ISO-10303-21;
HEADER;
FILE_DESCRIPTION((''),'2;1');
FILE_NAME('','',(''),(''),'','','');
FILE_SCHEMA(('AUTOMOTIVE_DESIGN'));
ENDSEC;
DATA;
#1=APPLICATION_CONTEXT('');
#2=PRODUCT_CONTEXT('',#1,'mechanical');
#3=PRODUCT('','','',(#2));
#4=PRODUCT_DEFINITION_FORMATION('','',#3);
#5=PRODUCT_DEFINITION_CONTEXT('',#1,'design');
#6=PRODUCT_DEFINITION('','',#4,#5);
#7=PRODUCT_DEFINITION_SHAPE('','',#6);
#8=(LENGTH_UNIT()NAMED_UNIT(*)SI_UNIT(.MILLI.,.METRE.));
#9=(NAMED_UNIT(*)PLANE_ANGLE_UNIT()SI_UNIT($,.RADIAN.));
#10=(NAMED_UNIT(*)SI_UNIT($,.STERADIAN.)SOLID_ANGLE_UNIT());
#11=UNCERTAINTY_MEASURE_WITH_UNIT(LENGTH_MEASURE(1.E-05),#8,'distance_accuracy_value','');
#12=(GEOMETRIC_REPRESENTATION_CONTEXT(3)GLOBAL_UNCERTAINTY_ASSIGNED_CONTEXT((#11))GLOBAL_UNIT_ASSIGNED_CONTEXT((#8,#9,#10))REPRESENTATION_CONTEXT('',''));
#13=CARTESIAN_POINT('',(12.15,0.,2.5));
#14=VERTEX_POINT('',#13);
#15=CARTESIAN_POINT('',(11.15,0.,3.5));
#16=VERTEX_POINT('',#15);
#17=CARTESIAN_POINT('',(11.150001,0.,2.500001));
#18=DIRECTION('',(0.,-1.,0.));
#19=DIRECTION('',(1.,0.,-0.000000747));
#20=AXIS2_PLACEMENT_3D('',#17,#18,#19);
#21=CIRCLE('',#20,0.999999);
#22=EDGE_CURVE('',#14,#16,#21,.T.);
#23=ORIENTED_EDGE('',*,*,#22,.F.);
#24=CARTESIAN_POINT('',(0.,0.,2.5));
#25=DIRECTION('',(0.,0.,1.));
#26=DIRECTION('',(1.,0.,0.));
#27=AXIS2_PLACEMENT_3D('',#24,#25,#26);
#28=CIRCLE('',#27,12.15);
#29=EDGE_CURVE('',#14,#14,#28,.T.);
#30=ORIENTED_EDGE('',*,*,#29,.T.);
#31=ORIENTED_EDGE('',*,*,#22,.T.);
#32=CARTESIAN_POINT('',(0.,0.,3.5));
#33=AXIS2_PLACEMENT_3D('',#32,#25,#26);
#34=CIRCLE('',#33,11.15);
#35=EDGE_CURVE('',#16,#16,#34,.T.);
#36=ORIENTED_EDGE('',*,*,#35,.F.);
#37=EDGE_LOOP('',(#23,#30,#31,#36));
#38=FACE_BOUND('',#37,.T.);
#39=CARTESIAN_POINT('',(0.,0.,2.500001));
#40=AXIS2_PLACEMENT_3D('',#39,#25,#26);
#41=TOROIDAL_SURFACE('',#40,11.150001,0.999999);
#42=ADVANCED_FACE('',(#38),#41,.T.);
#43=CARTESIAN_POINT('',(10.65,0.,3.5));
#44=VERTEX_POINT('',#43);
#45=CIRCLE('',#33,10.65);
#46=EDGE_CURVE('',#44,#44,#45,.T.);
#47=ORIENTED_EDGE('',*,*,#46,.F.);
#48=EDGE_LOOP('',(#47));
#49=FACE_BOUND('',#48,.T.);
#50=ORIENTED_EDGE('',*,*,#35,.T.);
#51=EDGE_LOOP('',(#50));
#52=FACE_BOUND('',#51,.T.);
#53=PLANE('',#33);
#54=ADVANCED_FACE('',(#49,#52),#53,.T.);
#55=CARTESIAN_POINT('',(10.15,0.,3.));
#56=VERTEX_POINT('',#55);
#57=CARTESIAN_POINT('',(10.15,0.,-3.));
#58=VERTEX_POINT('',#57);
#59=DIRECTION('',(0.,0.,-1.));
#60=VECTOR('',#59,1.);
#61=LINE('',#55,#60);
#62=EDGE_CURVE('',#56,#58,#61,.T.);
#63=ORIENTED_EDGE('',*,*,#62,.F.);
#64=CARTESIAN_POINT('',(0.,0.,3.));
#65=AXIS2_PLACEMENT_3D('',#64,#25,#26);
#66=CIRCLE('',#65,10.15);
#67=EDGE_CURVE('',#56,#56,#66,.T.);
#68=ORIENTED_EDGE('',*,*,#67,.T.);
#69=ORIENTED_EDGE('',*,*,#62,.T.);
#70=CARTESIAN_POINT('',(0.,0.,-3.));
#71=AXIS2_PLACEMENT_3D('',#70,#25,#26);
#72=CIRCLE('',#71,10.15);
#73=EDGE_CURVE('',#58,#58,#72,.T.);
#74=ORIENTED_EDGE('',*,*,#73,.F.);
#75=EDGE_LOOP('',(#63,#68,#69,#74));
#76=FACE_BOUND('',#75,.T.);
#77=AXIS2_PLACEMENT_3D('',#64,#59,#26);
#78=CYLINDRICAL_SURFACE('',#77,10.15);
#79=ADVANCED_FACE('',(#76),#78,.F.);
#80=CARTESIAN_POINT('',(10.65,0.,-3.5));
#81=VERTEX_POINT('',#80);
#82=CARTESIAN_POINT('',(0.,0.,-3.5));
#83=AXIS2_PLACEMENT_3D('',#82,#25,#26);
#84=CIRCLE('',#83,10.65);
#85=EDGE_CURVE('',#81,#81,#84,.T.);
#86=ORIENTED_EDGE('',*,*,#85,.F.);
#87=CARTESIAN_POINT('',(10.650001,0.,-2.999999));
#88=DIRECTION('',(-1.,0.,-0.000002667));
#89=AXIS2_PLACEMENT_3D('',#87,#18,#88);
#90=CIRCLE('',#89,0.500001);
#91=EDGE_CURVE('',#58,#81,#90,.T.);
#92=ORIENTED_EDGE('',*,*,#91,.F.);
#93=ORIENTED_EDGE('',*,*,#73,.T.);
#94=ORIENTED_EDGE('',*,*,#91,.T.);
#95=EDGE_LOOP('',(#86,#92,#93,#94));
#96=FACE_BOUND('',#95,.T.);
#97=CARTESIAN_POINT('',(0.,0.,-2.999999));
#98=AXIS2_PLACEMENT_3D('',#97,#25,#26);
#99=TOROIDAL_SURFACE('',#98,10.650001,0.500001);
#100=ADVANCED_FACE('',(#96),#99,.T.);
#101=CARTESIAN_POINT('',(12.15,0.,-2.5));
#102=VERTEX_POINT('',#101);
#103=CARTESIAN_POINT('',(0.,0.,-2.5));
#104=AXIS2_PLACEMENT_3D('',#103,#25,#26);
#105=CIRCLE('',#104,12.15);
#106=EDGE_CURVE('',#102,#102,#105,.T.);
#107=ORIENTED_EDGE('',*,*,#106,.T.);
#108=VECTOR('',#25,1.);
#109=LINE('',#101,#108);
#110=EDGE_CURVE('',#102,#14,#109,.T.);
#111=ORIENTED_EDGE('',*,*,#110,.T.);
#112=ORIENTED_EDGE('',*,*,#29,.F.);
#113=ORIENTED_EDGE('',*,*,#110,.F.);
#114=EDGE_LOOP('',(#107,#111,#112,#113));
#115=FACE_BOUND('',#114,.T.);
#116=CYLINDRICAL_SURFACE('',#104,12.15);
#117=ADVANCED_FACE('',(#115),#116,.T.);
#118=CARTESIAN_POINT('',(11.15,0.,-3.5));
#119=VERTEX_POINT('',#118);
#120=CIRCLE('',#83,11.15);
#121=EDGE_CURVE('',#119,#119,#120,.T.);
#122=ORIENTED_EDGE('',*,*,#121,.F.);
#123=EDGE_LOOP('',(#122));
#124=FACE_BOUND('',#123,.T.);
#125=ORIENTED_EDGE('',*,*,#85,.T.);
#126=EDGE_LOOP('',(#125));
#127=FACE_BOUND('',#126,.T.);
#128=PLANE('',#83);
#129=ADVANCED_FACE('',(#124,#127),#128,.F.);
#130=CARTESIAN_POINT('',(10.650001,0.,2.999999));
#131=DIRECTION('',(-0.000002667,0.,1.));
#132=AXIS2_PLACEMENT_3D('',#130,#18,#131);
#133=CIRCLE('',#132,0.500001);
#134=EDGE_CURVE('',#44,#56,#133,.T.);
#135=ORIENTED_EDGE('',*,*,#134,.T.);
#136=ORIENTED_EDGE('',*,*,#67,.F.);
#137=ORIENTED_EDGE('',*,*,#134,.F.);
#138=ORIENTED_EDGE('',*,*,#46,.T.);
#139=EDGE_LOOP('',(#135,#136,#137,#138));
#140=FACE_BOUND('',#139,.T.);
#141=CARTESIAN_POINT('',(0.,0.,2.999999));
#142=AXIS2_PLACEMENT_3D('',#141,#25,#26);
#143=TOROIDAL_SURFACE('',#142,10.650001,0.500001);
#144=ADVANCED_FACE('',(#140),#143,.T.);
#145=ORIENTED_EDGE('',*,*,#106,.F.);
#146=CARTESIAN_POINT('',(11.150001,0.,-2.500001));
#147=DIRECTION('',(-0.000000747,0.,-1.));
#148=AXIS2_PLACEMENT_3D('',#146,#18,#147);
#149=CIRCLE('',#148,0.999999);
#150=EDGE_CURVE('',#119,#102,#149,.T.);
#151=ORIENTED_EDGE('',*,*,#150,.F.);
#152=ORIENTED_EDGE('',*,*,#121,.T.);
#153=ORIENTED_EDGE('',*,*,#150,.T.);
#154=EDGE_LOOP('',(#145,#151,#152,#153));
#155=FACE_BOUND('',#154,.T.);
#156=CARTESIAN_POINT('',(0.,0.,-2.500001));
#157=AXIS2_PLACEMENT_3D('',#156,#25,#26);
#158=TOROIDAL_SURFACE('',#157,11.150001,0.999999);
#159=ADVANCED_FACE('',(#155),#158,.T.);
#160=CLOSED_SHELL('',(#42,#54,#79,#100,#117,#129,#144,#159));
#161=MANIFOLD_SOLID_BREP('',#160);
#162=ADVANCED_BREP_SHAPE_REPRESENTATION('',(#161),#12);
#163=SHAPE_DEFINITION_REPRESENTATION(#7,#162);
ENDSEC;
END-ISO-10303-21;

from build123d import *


with BuildPart() as f1:
    # F0 (on Front) → F1 (revolve)
    with BuildSketch(Plane.XZ):
        with BuildLine():
            Line((11.15, 3.5), (10.65, 3.5))
            ThreePointArc((10.65, 3.5), (10.296447, 3.353553), (10.15, 3))
            Line((10.15, 3), (10.15, 0))
            Line((10.15, 0), (10.15, -3))
            ThreePointArc((10.15, -3), (10.296447, -3.353553), (10.65, -3.5))
            Line((10.65, -3.5), (11.15, -3.5))
            ThreePointArc((11.15, -3.5), (11.857107, -3.207107), (12.15, -2.5))
            Line((12.15, -2.5), (12.15, 0))
            Line((12.15, 0), (12.15, 2.5))
            ThreePointArc((12.15, 2.5), (11.857107, 3.207107), (11.15, 3.5))
        make_face()
    revolve(axis=Axis((0, 0, 2.814216), (0, 0, 1)))


solid = f1.part
